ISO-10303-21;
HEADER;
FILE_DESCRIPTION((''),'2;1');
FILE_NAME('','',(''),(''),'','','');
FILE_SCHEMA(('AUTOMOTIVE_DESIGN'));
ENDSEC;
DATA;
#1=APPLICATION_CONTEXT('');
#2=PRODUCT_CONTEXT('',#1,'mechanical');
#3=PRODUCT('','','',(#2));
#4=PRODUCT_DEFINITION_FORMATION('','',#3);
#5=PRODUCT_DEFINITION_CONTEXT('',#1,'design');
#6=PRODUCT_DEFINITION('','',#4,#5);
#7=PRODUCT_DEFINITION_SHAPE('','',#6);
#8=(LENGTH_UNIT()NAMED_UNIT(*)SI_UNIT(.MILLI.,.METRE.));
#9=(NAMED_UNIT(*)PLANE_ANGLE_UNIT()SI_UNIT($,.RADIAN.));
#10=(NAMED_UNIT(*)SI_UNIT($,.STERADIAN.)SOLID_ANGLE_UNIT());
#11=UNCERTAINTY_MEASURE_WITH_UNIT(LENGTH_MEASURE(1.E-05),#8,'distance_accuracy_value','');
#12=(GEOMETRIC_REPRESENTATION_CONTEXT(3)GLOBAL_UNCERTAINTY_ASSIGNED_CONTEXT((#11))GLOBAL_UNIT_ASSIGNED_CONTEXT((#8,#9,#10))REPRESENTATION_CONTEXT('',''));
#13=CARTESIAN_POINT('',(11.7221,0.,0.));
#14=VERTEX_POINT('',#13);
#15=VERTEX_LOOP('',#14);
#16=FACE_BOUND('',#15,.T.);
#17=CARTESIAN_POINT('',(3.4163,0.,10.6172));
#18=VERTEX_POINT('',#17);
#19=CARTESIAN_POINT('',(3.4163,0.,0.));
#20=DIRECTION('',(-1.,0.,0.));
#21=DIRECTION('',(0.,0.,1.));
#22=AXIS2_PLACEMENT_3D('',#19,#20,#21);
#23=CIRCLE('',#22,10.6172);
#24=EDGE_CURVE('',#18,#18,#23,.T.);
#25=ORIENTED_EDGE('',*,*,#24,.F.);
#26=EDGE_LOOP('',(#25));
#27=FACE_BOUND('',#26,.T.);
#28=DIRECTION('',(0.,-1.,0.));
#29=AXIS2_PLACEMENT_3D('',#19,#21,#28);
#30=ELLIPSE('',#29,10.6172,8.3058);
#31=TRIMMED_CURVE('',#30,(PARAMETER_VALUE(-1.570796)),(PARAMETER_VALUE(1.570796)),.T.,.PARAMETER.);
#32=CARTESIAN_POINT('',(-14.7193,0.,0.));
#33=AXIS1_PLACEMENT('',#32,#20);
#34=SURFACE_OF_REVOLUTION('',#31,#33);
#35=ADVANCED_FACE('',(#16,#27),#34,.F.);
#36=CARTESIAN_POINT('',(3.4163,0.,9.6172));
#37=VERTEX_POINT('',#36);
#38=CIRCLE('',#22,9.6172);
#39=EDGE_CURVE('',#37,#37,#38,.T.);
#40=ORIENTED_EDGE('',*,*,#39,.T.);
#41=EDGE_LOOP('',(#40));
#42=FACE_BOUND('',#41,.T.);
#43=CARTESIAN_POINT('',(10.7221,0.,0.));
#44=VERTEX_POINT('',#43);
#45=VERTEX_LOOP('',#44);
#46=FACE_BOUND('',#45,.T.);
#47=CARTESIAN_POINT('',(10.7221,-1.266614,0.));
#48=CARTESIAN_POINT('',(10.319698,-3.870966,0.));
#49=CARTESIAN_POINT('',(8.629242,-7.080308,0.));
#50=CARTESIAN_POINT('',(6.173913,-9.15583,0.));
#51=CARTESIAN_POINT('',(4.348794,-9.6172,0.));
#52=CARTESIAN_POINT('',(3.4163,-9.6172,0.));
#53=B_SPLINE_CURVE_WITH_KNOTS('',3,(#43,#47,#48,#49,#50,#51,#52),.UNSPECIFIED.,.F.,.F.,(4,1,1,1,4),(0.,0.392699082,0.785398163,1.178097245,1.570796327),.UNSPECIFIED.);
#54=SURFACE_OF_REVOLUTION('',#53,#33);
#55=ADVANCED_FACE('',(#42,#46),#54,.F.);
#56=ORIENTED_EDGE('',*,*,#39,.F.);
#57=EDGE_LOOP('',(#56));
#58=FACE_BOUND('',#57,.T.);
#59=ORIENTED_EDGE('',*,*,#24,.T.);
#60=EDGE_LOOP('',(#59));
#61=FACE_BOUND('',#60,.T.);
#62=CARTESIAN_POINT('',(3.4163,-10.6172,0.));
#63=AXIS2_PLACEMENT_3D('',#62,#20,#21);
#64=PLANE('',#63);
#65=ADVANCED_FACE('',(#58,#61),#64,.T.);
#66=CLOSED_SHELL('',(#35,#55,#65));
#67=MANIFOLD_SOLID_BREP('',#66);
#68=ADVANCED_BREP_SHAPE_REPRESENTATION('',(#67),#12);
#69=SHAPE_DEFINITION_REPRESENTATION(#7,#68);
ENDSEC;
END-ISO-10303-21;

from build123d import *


with BuildPart() as part:
    # Sketch1 → Revolve1 (revolve)
    with BuildSketch(Plane.XY):
        with BuildLine():
            Line((10.7221, 0), (11.7221, 0))
            add(Edge.make_bspline(
                [(3.4163, -10.6172), (11.7221, -10.6172), (11.7221, 0)],
                knots=[0, 0, 0, 1.570796327, 1.570796327, 1.570796327], degree=2, weights=[1, 0.707106781, 1]))
            Line((3.4163, -10.6172), (3.4163, -9.6172))
            add(Edge.make_bspline(
                [(3.4163, -9.6172), (4.348793503, -9.6172), (6.173912679, -9.155830019), (8.629242175, -7.080308477), (10.319698012, -3.870965799), (10.7221, -1.266614453), (10.7221, 0)],
                knots=[0, 0, 0, 0, 0.392699082, 0.785398163, 1.178097245, 1.570796327, 1.570796327, 1.570796327, 1.570796327], degree=3))
        make_face()
    revolve(axis=Axis((-14.7193, 0, 0), (1, 0, 0)))


solid = part.part
